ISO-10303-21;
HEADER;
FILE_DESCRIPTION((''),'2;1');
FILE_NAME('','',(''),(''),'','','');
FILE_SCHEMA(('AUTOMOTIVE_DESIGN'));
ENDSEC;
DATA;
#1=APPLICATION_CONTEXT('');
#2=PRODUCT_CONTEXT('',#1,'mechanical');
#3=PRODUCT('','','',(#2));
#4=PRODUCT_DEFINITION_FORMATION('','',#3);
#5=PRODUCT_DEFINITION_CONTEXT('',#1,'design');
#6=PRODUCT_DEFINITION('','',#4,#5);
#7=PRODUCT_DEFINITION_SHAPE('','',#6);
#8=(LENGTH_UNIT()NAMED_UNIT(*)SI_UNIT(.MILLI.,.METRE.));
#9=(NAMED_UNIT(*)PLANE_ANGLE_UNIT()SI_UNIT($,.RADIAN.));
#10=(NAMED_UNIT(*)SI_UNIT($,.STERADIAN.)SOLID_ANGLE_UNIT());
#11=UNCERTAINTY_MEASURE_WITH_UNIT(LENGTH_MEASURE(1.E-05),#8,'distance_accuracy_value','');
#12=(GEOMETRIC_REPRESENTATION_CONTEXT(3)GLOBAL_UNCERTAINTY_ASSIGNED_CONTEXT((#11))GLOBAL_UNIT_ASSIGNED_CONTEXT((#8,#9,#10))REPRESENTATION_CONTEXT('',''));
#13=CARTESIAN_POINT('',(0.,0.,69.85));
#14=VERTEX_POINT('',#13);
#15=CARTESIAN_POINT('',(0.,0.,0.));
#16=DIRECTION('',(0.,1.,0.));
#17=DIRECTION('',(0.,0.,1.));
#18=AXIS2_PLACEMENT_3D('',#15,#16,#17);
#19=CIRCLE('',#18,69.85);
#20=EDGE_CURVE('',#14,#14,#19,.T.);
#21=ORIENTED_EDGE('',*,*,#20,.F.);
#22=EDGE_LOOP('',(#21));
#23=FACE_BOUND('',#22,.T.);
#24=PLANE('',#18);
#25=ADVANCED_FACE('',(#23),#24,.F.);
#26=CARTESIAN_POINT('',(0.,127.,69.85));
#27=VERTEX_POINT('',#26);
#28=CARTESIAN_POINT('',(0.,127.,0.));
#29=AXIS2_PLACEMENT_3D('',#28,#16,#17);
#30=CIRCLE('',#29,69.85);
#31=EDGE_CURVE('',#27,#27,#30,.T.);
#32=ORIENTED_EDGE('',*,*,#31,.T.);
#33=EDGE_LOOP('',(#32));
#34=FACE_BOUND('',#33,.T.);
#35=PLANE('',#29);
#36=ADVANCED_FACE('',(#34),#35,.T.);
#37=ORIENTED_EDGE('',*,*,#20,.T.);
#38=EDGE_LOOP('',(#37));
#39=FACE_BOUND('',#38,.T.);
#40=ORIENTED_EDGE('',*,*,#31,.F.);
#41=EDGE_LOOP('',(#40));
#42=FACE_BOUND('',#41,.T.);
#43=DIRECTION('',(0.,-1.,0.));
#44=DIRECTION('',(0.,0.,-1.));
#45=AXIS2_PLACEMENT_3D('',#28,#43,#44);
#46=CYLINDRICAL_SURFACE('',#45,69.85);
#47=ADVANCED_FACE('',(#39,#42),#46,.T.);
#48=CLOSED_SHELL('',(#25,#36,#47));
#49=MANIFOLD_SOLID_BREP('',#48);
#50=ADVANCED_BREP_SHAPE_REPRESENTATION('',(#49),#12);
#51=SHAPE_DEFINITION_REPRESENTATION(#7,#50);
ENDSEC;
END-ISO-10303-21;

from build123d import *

# Parameters (mm, degrees)
SKETCH1_R           = 69.85
BOSS_EXTRUDE1_DEPTH = 127


with BuildPart() as part:
    # Sketch1 → Boss-Extrude1 (new body)
    with BuildSketch(Plane(origin=(0, 0, 0), x_dir=(1, 0, 0), z_dir=(0, 1, 0))):
        Circle(SKETCH1_R)
    extrude(amount=BOSS_EXTRUDE1_DEPTH)


solid = part.part
